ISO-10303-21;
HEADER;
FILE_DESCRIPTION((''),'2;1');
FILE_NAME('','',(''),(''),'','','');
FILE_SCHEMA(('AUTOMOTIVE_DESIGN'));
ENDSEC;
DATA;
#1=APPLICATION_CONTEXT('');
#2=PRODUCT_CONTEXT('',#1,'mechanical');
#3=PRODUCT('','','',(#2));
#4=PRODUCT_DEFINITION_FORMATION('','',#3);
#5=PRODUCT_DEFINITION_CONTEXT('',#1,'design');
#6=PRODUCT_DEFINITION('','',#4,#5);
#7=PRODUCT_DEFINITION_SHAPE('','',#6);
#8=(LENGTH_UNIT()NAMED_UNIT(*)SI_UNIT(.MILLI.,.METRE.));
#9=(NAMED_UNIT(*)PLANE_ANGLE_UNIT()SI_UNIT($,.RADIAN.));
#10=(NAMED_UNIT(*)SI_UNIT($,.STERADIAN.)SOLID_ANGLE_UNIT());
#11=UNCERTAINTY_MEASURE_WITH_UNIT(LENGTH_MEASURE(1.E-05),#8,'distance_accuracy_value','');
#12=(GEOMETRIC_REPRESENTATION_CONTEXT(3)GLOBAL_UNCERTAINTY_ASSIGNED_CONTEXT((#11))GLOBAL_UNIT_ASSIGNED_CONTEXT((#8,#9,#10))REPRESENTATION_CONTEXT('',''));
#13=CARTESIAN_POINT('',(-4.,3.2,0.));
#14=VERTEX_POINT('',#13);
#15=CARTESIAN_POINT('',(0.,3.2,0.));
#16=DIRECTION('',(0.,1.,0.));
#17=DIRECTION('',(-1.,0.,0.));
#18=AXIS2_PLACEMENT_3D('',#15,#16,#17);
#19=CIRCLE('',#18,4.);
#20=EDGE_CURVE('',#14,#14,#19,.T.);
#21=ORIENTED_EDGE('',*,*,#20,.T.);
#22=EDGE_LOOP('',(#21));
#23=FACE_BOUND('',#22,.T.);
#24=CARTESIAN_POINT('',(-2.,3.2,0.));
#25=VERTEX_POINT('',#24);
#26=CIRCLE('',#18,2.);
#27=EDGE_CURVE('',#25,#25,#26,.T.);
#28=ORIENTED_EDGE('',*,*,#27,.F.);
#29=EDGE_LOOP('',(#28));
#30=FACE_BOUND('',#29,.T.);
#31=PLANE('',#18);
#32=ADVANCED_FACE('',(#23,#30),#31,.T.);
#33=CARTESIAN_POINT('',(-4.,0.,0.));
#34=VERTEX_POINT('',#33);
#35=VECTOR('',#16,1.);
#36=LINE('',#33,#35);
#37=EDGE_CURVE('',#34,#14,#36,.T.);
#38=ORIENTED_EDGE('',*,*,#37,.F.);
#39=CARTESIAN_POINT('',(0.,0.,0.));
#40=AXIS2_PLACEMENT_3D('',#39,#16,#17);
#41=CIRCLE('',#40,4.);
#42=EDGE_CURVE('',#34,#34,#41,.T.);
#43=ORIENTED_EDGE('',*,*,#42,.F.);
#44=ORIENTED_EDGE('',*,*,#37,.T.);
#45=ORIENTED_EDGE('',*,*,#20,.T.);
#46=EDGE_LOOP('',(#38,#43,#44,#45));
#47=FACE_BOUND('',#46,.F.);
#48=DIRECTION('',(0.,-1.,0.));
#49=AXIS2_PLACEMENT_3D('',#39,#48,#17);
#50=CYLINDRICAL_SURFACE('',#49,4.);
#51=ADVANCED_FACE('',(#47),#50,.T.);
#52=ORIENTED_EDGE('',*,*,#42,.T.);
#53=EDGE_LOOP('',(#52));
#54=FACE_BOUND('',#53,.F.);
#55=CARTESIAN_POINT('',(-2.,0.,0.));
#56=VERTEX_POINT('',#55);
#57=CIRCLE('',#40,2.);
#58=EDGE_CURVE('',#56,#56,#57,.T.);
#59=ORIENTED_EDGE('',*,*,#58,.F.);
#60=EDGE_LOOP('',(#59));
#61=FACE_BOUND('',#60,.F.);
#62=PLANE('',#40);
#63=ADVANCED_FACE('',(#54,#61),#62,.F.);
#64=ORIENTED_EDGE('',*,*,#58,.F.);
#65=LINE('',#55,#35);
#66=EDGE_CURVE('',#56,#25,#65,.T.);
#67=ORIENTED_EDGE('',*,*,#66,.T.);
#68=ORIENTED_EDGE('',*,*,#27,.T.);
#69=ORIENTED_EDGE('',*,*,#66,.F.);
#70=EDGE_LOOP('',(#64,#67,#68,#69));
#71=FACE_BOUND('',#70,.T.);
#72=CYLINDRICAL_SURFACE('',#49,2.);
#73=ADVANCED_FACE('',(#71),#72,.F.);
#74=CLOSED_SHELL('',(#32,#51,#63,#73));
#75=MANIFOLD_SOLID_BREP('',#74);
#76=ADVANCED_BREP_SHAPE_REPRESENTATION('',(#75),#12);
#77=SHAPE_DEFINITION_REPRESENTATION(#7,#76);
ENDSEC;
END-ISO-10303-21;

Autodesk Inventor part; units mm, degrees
ref_plane "YZ Plane" through (0, 0, 0) normal (1, 0, 0) x (0, 1, 0)
ref_plane "XZ Plane" through (0, 0, 0) normal (0, 1, 0) x (-1, 0, 0)
ref_plane "XY Plane" through (0, 0, 0) normal (0, 0, 1) x (1, 0, 0)
sketch "Sketch1" plane through (0, 0, 0) normal (0, 1, 0) x (-1, 0, 0)
  circle A0 centre (0, 0) radius 2
  circle A1 centre (0, 0) radius 4
  dimension "d0" = 4
  dimension "d1" = 8
extrude "Extrusion1" add sketch "Sketch1" along normal blind 3.2
properties part number "controlarmwasher"
